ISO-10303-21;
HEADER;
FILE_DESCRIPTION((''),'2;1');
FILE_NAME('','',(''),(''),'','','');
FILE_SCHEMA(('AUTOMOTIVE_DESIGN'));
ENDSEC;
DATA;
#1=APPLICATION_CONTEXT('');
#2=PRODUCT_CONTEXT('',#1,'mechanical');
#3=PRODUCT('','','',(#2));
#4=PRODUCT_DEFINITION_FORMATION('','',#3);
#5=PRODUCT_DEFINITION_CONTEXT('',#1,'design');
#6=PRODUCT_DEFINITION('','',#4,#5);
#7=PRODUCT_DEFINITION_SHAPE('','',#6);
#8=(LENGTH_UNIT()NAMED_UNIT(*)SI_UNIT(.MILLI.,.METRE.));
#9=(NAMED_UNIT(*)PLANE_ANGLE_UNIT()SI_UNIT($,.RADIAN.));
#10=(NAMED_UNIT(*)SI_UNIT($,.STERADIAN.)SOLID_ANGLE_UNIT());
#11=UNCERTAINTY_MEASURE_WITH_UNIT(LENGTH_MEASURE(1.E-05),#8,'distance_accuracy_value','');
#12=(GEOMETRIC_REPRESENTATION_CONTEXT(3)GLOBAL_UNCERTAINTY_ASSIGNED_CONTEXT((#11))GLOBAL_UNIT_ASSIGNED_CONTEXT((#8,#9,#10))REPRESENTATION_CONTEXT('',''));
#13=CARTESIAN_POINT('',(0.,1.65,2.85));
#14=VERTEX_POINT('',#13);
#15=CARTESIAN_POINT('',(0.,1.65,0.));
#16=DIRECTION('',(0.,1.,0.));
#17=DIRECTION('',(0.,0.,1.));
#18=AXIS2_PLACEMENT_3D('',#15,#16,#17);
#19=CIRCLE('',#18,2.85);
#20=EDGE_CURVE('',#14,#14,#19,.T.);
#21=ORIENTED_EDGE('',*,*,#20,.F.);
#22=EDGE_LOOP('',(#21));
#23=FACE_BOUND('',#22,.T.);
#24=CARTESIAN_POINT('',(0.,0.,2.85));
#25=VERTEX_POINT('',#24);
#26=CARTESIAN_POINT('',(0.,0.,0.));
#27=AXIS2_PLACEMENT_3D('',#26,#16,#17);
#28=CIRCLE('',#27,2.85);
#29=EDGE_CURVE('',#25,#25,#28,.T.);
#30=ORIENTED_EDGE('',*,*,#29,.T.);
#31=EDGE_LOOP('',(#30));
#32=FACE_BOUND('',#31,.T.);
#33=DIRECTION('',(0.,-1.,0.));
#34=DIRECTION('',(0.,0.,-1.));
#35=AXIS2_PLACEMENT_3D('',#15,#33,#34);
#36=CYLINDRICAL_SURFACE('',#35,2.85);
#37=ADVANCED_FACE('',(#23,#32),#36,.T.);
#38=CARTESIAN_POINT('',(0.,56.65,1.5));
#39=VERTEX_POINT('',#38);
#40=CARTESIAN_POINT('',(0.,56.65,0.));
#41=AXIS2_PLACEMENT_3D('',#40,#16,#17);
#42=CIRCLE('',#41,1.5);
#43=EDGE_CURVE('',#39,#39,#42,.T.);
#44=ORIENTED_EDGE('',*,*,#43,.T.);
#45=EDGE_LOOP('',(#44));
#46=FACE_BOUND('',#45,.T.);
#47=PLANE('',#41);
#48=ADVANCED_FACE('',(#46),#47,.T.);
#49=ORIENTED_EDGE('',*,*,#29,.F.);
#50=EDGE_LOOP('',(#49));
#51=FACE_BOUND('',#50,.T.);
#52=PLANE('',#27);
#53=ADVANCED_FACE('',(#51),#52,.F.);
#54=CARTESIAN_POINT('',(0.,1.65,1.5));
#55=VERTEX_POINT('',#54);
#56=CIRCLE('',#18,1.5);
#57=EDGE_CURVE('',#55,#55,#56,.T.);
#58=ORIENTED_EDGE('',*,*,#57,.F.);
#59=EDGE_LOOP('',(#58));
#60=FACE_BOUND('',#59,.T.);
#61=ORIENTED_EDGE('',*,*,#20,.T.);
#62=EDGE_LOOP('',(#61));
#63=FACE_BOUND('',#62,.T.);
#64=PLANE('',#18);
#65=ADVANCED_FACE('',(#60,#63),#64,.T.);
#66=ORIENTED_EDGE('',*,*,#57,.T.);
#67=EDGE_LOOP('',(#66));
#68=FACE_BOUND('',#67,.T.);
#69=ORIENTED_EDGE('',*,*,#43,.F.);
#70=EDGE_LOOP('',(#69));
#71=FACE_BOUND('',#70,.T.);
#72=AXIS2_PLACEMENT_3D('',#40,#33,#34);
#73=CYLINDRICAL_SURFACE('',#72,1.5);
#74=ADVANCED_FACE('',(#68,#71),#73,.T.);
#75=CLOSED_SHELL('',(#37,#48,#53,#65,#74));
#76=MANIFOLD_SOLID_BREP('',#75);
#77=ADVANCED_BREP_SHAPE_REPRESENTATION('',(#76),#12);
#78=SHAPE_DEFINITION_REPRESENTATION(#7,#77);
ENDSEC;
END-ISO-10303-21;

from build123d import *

# Parameters (mm, degrees)
SKETCH_1_R      = 2.85
EXTRUDE_1_DEPTH = 1.65
SKETCH_2_R      = 1.5
EXTRUDE_2_DEPTH = 55


with BuildPart() as part:
    # 草图1 → 凸台-拉伸1 (new body)
    with BuildSketch(Plane(origin=(0, 0, 0), x_dir=(1, 0, 0), z_dir=(0, 1, 0))):
        with Locations(Location((0, 0, 0), (0, 0, 270))):
            Circle(SKETCH_1_R)
    extrude(amount=EXTRUDE_1_DEPTH)

    # 草图2 → 凸台-拉伸2 (add)
    with BuildSketch(Plane(origin=(0, 1.65, 0), x_dir=(1, 0, 0), z_dir=(0, 1, 0))):
        with Locations(Location((0, 0, 0), (0, 0, 270))):
            Circle(SKETCH_2_R)
    extrude(amount=EXTRUDE_2_DEPTH)


solid = part.part
